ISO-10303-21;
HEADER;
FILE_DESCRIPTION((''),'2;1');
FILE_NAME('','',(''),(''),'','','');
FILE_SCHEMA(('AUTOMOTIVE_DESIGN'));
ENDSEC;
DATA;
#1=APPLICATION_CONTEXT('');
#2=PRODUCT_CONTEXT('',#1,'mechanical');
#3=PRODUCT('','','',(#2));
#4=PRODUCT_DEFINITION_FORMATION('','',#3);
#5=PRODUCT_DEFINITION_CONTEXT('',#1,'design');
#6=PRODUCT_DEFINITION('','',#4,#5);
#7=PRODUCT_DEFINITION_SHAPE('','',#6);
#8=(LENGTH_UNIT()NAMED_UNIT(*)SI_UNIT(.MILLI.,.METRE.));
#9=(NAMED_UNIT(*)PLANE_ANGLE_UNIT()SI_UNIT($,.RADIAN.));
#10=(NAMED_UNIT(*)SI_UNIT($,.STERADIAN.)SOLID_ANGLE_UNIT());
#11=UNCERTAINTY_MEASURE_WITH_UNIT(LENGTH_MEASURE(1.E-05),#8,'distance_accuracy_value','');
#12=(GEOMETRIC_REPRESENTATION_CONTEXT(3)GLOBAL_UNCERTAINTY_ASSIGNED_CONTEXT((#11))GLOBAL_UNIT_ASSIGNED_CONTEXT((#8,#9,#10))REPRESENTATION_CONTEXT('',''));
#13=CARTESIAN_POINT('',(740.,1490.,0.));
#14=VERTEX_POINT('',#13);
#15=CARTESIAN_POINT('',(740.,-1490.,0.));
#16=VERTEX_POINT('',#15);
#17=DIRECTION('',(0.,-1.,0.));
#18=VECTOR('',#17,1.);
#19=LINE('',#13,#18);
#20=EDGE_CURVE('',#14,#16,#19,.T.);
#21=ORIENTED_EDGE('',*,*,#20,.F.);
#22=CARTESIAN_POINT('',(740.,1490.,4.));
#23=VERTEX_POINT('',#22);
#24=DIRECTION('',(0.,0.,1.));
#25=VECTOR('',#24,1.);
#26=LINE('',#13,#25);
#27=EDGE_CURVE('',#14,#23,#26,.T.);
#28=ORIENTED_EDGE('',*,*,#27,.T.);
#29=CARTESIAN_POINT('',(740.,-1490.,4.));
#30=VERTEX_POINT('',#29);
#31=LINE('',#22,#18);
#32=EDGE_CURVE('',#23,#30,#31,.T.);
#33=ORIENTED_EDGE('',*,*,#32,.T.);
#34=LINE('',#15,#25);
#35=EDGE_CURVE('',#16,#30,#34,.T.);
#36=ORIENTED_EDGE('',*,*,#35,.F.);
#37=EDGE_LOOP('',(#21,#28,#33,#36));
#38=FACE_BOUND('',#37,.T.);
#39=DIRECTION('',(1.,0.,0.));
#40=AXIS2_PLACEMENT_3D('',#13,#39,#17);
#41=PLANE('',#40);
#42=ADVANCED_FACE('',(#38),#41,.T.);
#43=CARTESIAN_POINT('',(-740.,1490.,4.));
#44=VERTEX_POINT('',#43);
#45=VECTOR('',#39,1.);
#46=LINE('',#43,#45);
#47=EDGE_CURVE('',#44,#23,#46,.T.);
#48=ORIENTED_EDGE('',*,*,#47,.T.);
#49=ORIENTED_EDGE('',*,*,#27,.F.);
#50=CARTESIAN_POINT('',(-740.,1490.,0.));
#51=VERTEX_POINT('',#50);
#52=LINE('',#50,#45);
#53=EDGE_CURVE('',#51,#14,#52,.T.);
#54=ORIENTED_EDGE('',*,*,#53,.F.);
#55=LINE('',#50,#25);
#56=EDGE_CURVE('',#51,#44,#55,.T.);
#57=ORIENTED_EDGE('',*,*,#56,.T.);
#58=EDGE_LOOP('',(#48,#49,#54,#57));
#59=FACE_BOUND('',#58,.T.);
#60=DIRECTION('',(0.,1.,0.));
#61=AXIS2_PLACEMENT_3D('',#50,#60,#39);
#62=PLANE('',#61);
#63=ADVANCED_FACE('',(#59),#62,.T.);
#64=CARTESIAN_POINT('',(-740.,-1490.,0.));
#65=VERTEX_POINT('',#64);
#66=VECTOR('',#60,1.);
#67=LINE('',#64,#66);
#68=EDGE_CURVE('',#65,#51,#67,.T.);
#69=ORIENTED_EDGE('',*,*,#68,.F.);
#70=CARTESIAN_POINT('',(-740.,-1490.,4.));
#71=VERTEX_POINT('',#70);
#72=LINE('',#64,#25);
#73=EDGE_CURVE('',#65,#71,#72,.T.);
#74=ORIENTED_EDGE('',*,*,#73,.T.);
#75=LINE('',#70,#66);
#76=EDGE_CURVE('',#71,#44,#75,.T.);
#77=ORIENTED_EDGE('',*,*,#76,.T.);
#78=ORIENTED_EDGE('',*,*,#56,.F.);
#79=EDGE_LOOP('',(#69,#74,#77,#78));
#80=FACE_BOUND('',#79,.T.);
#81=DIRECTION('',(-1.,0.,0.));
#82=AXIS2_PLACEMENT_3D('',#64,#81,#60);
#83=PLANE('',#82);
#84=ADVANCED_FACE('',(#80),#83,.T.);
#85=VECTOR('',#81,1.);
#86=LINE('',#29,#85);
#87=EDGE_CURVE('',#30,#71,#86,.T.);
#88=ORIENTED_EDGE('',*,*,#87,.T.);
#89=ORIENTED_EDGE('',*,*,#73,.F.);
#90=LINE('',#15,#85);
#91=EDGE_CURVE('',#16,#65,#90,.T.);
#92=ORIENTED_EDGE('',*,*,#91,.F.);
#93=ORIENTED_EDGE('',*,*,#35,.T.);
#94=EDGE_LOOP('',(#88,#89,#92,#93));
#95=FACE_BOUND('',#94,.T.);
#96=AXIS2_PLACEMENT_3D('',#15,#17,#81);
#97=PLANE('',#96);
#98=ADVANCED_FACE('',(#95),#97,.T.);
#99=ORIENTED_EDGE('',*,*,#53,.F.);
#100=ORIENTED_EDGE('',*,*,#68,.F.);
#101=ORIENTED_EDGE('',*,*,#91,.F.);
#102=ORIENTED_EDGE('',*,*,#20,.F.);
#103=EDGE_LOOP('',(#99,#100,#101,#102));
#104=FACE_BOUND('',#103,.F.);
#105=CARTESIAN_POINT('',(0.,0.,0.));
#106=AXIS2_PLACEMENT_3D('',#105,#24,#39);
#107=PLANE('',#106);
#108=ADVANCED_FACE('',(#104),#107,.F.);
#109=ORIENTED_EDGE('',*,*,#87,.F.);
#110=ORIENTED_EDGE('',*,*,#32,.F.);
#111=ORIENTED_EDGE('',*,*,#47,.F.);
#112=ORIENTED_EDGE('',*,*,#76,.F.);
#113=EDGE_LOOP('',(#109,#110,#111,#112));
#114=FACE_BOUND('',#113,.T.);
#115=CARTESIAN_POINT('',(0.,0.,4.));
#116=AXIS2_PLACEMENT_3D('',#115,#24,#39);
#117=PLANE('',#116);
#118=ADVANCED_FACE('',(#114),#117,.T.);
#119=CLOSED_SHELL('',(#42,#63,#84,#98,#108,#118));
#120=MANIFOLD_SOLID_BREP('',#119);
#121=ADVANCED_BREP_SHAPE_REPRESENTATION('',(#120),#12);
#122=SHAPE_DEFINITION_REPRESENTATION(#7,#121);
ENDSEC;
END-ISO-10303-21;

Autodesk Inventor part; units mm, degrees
ref_plane "YZ Plane" through (0, 0, 0) normal (1, 0, 0) x (0, 1, 0)
ref_plane "XZ Plane" through (0, 0, 0) normal (0, 1, 0) x (-1, 0, 0)
ref_plane "XY Plane" through (0, 0, 0) normal (0, 0, 1) x (1, 0, 0)
sketch "Sketch1" plane through (0, 0, 0) normal (0, 0, 1) x (1, 0, 0)
  line L0 (740, -1490) -> (-740, -1490)
  line L1 (-740, -1490) -> (-740, 1490)
  line L2 (-740, 1490) -> (740, 1490)
  line L3 (740, 1490) -> (740, -1490)
  line L4 (740, -1490) -> (-740, 1490) construction
  line L5 (-740, -1490) -> (740, 1490) construction
  point P0 (0, 0)
  dimension "d0" = 1480
  dimension "d1" = 2980
extrude "Plate1" add sketch "Sketch1" along normal blind 4
equation "\"d0\" = Лист_ширина"
equation "\"d2\" = Thickness"
equation "\"BendRadius\" = Thickness"
equation "\"BendReliefWidth\" = Thickness"
equation "\"BendReliefDepth\" = 0.5 * Thickness"
equation "\"CornerReliefSize\" = 4 * Thickness"
equation "\"MinimumRemnant\" = 2 * Thickness"
equation "\"TransitionRadius\" = BendRadius"
equation "\"JacobiRadiusSize\" = BendRadius"
equation "\"GapSize\" = Thickness"
equation "\"Лист_ширина\" = 1480"
equation "\"Thickness\" = 4"
properties part number "CHANGE 1018 GBK shield 2" material "Steel"
